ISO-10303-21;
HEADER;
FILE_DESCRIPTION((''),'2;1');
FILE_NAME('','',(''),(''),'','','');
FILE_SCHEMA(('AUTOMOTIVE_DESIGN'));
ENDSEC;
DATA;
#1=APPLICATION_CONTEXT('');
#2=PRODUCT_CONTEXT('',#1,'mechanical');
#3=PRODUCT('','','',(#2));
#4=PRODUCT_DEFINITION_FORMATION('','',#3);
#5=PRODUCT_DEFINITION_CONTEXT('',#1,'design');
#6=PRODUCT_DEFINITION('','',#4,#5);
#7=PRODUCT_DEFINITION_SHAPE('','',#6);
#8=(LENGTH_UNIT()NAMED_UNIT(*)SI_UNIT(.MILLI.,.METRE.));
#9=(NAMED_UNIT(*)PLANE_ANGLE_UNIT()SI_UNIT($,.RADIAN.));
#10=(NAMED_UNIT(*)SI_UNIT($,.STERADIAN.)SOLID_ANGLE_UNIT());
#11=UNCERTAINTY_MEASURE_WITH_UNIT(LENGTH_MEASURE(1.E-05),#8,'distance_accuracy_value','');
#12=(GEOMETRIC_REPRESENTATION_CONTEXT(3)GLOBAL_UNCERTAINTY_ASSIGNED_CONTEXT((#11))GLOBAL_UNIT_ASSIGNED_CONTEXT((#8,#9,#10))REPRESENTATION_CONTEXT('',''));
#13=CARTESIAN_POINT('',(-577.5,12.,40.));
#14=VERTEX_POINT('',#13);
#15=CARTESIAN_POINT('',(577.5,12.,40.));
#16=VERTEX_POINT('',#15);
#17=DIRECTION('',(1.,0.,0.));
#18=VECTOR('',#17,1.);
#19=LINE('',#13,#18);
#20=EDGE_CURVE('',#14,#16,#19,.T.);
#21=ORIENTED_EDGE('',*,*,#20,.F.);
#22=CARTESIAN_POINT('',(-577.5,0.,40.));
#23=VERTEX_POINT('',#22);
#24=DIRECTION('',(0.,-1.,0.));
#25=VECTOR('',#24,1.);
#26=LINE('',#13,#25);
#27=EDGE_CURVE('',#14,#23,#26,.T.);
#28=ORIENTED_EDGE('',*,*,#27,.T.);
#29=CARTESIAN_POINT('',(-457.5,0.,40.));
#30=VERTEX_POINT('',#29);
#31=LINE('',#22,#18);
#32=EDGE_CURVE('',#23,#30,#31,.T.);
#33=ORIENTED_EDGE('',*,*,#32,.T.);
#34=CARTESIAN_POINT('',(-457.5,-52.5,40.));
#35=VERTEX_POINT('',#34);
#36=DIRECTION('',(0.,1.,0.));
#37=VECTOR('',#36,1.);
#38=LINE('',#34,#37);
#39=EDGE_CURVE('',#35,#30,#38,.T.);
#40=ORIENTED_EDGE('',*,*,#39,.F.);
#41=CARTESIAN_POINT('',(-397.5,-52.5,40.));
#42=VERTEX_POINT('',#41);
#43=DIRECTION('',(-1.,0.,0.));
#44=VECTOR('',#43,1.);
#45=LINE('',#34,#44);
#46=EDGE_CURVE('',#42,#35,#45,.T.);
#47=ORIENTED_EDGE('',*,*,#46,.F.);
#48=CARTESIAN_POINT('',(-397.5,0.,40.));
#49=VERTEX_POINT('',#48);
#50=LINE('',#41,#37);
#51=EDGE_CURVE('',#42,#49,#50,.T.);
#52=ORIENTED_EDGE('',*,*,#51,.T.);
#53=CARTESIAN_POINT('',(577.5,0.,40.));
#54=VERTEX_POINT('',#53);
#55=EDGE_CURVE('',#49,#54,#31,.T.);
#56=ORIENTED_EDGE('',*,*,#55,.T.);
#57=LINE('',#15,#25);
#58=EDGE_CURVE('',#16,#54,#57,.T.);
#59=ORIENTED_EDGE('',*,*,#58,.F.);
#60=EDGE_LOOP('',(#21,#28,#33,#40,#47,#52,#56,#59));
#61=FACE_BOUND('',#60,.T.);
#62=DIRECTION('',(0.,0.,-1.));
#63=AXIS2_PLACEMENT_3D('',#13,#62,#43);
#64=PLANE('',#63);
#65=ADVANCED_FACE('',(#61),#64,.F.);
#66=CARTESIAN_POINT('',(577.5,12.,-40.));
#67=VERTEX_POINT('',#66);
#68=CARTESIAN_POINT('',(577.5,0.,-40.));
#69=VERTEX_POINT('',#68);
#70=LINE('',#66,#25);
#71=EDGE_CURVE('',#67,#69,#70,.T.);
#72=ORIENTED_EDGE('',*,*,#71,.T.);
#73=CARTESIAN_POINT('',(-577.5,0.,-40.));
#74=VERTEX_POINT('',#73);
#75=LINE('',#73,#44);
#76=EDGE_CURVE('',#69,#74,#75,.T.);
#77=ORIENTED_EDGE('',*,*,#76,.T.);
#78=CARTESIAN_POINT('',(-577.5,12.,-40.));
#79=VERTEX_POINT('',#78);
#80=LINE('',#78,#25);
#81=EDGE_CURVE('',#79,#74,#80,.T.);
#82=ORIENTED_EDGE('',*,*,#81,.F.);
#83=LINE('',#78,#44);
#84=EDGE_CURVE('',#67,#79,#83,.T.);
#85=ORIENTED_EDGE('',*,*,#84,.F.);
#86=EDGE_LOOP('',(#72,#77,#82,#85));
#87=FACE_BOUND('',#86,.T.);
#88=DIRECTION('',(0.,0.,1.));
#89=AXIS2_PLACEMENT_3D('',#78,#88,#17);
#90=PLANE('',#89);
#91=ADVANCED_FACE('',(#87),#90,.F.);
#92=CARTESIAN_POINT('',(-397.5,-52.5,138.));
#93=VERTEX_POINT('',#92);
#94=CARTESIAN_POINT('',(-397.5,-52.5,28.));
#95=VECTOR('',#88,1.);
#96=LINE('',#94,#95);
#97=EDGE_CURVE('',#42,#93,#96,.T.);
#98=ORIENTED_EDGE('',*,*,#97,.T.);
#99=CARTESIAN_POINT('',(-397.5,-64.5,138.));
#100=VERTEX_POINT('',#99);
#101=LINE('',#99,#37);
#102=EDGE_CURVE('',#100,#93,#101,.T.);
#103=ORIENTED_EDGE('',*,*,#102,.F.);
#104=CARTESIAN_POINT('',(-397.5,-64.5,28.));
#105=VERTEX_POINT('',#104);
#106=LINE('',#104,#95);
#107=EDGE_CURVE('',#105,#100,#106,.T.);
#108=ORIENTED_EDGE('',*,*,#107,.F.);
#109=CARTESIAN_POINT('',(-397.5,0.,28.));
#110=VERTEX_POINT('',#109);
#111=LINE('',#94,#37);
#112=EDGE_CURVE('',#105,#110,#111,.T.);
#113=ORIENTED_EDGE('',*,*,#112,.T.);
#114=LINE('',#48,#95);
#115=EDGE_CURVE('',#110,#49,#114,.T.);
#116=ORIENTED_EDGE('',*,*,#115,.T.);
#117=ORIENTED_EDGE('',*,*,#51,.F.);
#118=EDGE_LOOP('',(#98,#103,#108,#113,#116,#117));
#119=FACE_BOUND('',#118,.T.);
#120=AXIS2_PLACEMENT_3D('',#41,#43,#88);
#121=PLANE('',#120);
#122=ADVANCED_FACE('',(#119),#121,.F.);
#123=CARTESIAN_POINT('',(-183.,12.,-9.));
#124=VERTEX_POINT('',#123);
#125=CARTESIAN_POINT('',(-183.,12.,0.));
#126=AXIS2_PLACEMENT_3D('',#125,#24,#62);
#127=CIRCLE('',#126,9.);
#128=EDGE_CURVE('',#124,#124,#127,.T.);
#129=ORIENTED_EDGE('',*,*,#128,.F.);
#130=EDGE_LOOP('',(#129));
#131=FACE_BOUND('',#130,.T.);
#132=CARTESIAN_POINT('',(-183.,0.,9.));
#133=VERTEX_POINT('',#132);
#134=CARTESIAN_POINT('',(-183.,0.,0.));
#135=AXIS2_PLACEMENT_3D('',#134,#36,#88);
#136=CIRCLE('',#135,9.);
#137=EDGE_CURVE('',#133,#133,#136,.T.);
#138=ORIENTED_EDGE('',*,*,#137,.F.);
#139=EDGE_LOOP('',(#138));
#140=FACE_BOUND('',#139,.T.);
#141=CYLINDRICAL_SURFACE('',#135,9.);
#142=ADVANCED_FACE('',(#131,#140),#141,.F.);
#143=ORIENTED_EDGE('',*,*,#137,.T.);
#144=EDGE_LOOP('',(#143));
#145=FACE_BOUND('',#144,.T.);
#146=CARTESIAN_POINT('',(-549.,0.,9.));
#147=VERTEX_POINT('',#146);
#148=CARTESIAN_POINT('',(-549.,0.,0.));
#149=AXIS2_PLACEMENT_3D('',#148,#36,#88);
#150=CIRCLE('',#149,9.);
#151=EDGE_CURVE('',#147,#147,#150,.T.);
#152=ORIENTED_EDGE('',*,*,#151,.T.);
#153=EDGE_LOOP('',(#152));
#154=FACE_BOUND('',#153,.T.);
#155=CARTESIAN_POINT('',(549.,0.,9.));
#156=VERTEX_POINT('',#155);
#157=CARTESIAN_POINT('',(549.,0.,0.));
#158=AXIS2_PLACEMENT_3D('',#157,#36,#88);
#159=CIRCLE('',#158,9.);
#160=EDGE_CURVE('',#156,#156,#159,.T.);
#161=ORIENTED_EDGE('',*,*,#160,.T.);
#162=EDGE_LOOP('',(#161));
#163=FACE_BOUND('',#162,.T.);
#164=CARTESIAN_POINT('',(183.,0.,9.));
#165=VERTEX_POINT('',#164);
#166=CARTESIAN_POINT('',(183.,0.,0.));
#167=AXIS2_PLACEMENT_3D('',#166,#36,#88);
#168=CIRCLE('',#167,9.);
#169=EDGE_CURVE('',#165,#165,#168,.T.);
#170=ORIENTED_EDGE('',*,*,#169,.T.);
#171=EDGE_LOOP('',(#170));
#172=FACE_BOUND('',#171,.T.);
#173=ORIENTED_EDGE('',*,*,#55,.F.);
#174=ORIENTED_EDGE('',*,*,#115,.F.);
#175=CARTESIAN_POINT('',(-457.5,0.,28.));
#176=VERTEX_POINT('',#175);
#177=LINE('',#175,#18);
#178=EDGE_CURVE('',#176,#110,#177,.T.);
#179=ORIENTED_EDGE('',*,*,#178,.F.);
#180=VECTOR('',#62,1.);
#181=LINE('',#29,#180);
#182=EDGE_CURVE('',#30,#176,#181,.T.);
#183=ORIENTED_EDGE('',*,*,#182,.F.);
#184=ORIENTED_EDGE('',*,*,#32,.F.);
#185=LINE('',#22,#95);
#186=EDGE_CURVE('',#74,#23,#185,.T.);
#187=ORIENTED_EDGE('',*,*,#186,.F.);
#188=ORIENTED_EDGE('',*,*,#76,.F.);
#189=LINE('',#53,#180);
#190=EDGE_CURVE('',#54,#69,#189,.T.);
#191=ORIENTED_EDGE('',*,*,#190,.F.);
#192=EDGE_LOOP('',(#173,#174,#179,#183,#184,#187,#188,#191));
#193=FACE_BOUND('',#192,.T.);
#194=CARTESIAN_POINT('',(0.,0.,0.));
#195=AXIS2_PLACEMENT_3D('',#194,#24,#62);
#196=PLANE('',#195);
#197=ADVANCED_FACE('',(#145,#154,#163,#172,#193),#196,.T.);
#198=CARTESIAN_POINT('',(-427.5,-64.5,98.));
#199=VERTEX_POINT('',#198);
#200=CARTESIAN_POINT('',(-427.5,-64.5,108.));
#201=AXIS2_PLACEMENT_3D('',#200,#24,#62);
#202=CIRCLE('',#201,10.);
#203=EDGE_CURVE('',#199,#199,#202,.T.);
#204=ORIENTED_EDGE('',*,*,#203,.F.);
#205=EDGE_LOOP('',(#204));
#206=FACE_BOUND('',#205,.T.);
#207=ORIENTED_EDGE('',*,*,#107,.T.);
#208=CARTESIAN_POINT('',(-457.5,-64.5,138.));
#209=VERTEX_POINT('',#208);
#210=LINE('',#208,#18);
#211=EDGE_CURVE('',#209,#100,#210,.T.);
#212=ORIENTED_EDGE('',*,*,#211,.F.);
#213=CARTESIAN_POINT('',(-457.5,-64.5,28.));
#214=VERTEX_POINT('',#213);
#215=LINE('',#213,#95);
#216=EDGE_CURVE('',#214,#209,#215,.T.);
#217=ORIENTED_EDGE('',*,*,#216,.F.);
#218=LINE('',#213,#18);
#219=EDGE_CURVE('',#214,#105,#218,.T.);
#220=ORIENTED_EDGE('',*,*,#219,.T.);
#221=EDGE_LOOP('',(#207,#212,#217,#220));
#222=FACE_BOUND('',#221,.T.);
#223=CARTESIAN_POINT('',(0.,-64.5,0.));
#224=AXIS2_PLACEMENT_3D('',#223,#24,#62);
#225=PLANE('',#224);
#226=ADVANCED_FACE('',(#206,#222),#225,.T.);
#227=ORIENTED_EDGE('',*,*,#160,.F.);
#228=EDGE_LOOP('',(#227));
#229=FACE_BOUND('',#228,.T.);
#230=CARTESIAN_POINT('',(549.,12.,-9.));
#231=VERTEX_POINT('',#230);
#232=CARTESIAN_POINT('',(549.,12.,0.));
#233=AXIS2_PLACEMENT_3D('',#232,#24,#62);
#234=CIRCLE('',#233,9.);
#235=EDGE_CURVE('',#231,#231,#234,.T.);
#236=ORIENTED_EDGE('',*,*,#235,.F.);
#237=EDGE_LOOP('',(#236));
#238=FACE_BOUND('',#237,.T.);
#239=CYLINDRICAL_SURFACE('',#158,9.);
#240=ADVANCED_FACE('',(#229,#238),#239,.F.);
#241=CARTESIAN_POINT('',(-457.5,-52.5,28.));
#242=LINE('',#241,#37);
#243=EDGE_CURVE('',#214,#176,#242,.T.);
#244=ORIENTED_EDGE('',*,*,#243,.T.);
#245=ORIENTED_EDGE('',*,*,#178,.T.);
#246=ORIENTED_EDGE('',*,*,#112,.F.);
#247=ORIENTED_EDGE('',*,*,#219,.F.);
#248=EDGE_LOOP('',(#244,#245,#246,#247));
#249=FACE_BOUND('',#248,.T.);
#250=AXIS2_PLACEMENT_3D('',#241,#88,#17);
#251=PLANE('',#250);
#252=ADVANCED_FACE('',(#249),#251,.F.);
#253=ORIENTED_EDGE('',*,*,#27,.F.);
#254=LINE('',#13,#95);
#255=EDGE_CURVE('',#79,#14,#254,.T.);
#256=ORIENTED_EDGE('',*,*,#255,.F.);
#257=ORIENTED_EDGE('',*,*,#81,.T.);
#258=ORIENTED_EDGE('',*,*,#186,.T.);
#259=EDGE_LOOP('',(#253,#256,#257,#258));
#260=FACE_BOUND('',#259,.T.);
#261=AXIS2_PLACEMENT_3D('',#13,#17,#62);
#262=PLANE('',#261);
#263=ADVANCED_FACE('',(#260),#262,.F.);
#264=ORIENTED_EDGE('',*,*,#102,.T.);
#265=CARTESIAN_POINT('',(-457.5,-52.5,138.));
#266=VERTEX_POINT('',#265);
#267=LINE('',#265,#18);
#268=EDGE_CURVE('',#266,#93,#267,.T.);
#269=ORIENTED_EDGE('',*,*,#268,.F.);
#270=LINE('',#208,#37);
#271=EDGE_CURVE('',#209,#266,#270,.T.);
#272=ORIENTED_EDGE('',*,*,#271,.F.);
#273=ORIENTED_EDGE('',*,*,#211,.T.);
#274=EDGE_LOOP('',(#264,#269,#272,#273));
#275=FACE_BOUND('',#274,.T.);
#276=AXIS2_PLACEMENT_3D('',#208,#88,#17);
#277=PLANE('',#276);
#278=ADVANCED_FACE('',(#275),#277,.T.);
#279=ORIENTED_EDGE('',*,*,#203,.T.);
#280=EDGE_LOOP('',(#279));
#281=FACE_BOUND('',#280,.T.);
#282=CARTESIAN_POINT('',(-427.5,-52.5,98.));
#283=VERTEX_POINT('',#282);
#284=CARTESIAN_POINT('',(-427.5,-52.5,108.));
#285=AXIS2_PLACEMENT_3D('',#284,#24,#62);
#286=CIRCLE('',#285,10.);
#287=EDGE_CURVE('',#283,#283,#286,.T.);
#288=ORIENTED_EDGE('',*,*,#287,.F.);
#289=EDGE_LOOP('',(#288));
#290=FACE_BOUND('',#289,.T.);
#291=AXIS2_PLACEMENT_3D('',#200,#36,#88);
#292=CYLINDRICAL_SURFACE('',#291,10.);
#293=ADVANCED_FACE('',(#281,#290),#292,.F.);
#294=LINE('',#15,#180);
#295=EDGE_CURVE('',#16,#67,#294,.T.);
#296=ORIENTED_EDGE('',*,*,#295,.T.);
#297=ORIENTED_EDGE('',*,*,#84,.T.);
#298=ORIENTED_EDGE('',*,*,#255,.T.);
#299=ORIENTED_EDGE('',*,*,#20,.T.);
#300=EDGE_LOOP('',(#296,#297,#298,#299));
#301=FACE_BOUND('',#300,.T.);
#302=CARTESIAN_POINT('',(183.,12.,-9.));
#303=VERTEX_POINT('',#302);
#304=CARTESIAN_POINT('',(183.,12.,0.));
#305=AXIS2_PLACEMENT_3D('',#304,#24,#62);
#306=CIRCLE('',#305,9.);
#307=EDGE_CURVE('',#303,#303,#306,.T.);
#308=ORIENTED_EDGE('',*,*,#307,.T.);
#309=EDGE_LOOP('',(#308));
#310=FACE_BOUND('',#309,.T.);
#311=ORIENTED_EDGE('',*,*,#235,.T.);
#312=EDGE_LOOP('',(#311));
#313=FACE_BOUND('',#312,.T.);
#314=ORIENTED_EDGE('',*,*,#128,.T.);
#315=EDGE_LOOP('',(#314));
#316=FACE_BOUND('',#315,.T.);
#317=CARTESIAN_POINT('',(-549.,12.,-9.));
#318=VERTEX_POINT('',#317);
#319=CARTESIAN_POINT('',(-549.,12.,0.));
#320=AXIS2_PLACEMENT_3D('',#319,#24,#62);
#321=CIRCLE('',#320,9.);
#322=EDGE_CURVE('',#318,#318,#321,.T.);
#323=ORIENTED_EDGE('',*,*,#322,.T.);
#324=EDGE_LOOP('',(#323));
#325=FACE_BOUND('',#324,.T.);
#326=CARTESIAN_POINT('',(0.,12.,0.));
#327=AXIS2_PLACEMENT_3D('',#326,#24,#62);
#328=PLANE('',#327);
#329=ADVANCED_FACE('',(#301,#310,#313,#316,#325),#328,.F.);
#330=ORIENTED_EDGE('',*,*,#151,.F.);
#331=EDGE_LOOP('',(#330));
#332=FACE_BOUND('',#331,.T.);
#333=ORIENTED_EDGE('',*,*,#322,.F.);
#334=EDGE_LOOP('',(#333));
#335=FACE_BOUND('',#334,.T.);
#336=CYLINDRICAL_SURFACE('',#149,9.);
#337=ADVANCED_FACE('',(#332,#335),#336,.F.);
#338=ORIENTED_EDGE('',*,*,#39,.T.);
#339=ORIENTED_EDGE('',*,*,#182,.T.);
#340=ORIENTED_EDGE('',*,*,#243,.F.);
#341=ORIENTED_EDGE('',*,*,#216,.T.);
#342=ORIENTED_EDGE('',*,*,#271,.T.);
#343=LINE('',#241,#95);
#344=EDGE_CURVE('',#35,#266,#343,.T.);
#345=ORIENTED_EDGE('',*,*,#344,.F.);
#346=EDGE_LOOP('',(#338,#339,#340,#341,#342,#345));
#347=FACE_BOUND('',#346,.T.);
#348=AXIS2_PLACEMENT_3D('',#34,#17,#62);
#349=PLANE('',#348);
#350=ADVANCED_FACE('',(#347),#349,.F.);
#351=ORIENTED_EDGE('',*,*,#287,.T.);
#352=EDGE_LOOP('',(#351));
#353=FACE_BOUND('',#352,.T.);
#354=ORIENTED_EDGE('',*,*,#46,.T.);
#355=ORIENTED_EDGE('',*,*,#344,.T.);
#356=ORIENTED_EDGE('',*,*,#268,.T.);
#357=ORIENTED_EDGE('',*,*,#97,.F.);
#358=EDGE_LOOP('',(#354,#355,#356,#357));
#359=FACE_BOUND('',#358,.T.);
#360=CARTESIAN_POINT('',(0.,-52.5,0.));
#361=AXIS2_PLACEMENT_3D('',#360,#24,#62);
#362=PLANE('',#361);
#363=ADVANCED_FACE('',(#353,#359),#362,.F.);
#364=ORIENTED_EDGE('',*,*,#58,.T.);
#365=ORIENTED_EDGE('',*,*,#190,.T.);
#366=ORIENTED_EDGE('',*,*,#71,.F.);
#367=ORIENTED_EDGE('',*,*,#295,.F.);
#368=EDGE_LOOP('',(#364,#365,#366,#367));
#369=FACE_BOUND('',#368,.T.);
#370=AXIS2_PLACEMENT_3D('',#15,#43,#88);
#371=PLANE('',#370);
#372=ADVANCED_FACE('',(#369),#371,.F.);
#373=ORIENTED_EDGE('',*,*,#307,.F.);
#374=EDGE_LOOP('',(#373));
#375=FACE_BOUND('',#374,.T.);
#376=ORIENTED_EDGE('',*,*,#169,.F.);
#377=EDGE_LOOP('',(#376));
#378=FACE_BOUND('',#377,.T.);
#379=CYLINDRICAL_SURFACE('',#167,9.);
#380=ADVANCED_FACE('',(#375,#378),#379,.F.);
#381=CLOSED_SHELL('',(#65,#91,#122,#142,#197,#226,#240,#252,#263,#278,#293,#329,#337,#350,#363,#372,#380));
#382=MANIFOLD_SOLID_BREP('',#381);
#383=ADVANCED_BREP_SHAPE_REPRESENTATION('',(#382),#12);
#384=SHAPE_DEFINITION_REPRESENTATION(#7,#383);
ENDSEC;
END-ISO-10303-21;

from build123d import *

# Parameters (mm, degrees)
SKETCH1_W           = 1155
SKETCH1_H           = 80
BOSS_EXTRUDE1_DEPTH = 12
SKETCH2_R           = 9
CUT_EXTRUDE1_DEPTH  = 580.007987855
LPATTERN1_COUNT     = 4
LPATTERN1_PITCH     = 366
SKETCH3_W           = 60
SKETCH3_H           = 98
SKETCH3_R           = 10
BOSS_EXTRUDE2_DEPTH = 12
SKETCH4_W           = 60
SKETCH4_H           = 12
BOSS_EXTRUDE3_DEPTH = 52.5
SKETCH6_W           = 60
SKETCH6_H           = 110
SKETCH6_R           = 10
BOSS_EXTRUDE4_DEPTH = 12
SKETCH7_W           = 60
SKETCH7_H           = 98
CUT_EXTRUDE2_DEPTH  = 12


with BuildPart() as part:
    # Sketch1 → Boss-Extrude1 (new body)
    with BuildSketch(Plane(origin=(0, 0, 0), x_dir=(1, 0, 0), z_dir=(0, 1, 0))):
        Rectangle(SKETCH1_W, SKETCH1_H)
    extrude(amount=BOSS_EXTRUDE1_DEPTH)

    # Sketch2 → Cut-Extrude1 (cut, symmetric)
    with BuildSketch(Plane(origin=(0, 12, 0), x_dir=(1, 0, 0), z_dir=(0, 1, 0))):
        with Locations(Location((-549, 0, 0), (0, 0, 270))):
            Circle(SKETCH2_R)
    cut_extrude1 = extrude(amount=CUT_EXTRUDE1_DEPTH, both=True, mode=Mode.SUBTRACT)

    # LPattern1: Cut-Extrude1 ×4
    with Locations(*[(i * LPATTERN1_PITCH, 0, 0) for i in range(1, LPATTERN1_COUNT)]):
        add(cut_extrude1, mode=Mode.SUBTRACT)

    # Sketch3 → Boss-Extrude2 (add)
    with BuildSketch(Plane(origin=(0, 12, 0), x_dir=(1, 0, 0), z_dir=(0, 1, 0))):
        with Locations((-427.5, -89)):
            Rectangle(SKETCH3_W, SKETCH3_H)
        with Locations(Location((-427.5, -108, 0), (0, 0, 270))):
            Circle(SKETCH3_R, mode=Mode.SUBTRACT)
    extrude(amount=-BOSS_EXTRUDE2_DEPTH)

    # Sketch4 → Boss-Extrude3 (add)
    with BuildSketch(Plane(origin=(0, 0, 0), x_dir=(-1, 0, 0), z_dir=(0, -1, 0))):
        with Locations((427.5, -34)):
            Rectangle(SKETCH4_W, SKETCH4_H)
    extrude(amount=BOSS_EXTRUDE3_DEPTH)

    # Sketch6 → Boss-Extrude4 (add)
    with BuildSketch(Plane.XZ.offset(52.5)):
        with Locations((-427.5, 83)):
            Rectangle(SKETCH6_W, SKETCH6_H)
        with Locations(Location((-427.5, 108, 0), (0, 0, 90))):
            Circle(SKETCH6_R, mode=Mode.SUBTRACT)
    extrude(amount=BOSS_EXTRUDE4_DEPTH)

    # Sketch7 → Cut-Extrude2 (cut)
    with BuildSketch(Plane(origin=(0, 12, 0), x_dir=(1, 0, 0), z_dir=(0, 1, 0))):
        with Locations((-427.5, -89)):
            Rectangle(SKETCH7_W, SKETCH7_H)
    extrude(amount=-CUT_EXTRUDE2_DEPTH, mode=Mode.SUBTRACT)


solid = part.part
